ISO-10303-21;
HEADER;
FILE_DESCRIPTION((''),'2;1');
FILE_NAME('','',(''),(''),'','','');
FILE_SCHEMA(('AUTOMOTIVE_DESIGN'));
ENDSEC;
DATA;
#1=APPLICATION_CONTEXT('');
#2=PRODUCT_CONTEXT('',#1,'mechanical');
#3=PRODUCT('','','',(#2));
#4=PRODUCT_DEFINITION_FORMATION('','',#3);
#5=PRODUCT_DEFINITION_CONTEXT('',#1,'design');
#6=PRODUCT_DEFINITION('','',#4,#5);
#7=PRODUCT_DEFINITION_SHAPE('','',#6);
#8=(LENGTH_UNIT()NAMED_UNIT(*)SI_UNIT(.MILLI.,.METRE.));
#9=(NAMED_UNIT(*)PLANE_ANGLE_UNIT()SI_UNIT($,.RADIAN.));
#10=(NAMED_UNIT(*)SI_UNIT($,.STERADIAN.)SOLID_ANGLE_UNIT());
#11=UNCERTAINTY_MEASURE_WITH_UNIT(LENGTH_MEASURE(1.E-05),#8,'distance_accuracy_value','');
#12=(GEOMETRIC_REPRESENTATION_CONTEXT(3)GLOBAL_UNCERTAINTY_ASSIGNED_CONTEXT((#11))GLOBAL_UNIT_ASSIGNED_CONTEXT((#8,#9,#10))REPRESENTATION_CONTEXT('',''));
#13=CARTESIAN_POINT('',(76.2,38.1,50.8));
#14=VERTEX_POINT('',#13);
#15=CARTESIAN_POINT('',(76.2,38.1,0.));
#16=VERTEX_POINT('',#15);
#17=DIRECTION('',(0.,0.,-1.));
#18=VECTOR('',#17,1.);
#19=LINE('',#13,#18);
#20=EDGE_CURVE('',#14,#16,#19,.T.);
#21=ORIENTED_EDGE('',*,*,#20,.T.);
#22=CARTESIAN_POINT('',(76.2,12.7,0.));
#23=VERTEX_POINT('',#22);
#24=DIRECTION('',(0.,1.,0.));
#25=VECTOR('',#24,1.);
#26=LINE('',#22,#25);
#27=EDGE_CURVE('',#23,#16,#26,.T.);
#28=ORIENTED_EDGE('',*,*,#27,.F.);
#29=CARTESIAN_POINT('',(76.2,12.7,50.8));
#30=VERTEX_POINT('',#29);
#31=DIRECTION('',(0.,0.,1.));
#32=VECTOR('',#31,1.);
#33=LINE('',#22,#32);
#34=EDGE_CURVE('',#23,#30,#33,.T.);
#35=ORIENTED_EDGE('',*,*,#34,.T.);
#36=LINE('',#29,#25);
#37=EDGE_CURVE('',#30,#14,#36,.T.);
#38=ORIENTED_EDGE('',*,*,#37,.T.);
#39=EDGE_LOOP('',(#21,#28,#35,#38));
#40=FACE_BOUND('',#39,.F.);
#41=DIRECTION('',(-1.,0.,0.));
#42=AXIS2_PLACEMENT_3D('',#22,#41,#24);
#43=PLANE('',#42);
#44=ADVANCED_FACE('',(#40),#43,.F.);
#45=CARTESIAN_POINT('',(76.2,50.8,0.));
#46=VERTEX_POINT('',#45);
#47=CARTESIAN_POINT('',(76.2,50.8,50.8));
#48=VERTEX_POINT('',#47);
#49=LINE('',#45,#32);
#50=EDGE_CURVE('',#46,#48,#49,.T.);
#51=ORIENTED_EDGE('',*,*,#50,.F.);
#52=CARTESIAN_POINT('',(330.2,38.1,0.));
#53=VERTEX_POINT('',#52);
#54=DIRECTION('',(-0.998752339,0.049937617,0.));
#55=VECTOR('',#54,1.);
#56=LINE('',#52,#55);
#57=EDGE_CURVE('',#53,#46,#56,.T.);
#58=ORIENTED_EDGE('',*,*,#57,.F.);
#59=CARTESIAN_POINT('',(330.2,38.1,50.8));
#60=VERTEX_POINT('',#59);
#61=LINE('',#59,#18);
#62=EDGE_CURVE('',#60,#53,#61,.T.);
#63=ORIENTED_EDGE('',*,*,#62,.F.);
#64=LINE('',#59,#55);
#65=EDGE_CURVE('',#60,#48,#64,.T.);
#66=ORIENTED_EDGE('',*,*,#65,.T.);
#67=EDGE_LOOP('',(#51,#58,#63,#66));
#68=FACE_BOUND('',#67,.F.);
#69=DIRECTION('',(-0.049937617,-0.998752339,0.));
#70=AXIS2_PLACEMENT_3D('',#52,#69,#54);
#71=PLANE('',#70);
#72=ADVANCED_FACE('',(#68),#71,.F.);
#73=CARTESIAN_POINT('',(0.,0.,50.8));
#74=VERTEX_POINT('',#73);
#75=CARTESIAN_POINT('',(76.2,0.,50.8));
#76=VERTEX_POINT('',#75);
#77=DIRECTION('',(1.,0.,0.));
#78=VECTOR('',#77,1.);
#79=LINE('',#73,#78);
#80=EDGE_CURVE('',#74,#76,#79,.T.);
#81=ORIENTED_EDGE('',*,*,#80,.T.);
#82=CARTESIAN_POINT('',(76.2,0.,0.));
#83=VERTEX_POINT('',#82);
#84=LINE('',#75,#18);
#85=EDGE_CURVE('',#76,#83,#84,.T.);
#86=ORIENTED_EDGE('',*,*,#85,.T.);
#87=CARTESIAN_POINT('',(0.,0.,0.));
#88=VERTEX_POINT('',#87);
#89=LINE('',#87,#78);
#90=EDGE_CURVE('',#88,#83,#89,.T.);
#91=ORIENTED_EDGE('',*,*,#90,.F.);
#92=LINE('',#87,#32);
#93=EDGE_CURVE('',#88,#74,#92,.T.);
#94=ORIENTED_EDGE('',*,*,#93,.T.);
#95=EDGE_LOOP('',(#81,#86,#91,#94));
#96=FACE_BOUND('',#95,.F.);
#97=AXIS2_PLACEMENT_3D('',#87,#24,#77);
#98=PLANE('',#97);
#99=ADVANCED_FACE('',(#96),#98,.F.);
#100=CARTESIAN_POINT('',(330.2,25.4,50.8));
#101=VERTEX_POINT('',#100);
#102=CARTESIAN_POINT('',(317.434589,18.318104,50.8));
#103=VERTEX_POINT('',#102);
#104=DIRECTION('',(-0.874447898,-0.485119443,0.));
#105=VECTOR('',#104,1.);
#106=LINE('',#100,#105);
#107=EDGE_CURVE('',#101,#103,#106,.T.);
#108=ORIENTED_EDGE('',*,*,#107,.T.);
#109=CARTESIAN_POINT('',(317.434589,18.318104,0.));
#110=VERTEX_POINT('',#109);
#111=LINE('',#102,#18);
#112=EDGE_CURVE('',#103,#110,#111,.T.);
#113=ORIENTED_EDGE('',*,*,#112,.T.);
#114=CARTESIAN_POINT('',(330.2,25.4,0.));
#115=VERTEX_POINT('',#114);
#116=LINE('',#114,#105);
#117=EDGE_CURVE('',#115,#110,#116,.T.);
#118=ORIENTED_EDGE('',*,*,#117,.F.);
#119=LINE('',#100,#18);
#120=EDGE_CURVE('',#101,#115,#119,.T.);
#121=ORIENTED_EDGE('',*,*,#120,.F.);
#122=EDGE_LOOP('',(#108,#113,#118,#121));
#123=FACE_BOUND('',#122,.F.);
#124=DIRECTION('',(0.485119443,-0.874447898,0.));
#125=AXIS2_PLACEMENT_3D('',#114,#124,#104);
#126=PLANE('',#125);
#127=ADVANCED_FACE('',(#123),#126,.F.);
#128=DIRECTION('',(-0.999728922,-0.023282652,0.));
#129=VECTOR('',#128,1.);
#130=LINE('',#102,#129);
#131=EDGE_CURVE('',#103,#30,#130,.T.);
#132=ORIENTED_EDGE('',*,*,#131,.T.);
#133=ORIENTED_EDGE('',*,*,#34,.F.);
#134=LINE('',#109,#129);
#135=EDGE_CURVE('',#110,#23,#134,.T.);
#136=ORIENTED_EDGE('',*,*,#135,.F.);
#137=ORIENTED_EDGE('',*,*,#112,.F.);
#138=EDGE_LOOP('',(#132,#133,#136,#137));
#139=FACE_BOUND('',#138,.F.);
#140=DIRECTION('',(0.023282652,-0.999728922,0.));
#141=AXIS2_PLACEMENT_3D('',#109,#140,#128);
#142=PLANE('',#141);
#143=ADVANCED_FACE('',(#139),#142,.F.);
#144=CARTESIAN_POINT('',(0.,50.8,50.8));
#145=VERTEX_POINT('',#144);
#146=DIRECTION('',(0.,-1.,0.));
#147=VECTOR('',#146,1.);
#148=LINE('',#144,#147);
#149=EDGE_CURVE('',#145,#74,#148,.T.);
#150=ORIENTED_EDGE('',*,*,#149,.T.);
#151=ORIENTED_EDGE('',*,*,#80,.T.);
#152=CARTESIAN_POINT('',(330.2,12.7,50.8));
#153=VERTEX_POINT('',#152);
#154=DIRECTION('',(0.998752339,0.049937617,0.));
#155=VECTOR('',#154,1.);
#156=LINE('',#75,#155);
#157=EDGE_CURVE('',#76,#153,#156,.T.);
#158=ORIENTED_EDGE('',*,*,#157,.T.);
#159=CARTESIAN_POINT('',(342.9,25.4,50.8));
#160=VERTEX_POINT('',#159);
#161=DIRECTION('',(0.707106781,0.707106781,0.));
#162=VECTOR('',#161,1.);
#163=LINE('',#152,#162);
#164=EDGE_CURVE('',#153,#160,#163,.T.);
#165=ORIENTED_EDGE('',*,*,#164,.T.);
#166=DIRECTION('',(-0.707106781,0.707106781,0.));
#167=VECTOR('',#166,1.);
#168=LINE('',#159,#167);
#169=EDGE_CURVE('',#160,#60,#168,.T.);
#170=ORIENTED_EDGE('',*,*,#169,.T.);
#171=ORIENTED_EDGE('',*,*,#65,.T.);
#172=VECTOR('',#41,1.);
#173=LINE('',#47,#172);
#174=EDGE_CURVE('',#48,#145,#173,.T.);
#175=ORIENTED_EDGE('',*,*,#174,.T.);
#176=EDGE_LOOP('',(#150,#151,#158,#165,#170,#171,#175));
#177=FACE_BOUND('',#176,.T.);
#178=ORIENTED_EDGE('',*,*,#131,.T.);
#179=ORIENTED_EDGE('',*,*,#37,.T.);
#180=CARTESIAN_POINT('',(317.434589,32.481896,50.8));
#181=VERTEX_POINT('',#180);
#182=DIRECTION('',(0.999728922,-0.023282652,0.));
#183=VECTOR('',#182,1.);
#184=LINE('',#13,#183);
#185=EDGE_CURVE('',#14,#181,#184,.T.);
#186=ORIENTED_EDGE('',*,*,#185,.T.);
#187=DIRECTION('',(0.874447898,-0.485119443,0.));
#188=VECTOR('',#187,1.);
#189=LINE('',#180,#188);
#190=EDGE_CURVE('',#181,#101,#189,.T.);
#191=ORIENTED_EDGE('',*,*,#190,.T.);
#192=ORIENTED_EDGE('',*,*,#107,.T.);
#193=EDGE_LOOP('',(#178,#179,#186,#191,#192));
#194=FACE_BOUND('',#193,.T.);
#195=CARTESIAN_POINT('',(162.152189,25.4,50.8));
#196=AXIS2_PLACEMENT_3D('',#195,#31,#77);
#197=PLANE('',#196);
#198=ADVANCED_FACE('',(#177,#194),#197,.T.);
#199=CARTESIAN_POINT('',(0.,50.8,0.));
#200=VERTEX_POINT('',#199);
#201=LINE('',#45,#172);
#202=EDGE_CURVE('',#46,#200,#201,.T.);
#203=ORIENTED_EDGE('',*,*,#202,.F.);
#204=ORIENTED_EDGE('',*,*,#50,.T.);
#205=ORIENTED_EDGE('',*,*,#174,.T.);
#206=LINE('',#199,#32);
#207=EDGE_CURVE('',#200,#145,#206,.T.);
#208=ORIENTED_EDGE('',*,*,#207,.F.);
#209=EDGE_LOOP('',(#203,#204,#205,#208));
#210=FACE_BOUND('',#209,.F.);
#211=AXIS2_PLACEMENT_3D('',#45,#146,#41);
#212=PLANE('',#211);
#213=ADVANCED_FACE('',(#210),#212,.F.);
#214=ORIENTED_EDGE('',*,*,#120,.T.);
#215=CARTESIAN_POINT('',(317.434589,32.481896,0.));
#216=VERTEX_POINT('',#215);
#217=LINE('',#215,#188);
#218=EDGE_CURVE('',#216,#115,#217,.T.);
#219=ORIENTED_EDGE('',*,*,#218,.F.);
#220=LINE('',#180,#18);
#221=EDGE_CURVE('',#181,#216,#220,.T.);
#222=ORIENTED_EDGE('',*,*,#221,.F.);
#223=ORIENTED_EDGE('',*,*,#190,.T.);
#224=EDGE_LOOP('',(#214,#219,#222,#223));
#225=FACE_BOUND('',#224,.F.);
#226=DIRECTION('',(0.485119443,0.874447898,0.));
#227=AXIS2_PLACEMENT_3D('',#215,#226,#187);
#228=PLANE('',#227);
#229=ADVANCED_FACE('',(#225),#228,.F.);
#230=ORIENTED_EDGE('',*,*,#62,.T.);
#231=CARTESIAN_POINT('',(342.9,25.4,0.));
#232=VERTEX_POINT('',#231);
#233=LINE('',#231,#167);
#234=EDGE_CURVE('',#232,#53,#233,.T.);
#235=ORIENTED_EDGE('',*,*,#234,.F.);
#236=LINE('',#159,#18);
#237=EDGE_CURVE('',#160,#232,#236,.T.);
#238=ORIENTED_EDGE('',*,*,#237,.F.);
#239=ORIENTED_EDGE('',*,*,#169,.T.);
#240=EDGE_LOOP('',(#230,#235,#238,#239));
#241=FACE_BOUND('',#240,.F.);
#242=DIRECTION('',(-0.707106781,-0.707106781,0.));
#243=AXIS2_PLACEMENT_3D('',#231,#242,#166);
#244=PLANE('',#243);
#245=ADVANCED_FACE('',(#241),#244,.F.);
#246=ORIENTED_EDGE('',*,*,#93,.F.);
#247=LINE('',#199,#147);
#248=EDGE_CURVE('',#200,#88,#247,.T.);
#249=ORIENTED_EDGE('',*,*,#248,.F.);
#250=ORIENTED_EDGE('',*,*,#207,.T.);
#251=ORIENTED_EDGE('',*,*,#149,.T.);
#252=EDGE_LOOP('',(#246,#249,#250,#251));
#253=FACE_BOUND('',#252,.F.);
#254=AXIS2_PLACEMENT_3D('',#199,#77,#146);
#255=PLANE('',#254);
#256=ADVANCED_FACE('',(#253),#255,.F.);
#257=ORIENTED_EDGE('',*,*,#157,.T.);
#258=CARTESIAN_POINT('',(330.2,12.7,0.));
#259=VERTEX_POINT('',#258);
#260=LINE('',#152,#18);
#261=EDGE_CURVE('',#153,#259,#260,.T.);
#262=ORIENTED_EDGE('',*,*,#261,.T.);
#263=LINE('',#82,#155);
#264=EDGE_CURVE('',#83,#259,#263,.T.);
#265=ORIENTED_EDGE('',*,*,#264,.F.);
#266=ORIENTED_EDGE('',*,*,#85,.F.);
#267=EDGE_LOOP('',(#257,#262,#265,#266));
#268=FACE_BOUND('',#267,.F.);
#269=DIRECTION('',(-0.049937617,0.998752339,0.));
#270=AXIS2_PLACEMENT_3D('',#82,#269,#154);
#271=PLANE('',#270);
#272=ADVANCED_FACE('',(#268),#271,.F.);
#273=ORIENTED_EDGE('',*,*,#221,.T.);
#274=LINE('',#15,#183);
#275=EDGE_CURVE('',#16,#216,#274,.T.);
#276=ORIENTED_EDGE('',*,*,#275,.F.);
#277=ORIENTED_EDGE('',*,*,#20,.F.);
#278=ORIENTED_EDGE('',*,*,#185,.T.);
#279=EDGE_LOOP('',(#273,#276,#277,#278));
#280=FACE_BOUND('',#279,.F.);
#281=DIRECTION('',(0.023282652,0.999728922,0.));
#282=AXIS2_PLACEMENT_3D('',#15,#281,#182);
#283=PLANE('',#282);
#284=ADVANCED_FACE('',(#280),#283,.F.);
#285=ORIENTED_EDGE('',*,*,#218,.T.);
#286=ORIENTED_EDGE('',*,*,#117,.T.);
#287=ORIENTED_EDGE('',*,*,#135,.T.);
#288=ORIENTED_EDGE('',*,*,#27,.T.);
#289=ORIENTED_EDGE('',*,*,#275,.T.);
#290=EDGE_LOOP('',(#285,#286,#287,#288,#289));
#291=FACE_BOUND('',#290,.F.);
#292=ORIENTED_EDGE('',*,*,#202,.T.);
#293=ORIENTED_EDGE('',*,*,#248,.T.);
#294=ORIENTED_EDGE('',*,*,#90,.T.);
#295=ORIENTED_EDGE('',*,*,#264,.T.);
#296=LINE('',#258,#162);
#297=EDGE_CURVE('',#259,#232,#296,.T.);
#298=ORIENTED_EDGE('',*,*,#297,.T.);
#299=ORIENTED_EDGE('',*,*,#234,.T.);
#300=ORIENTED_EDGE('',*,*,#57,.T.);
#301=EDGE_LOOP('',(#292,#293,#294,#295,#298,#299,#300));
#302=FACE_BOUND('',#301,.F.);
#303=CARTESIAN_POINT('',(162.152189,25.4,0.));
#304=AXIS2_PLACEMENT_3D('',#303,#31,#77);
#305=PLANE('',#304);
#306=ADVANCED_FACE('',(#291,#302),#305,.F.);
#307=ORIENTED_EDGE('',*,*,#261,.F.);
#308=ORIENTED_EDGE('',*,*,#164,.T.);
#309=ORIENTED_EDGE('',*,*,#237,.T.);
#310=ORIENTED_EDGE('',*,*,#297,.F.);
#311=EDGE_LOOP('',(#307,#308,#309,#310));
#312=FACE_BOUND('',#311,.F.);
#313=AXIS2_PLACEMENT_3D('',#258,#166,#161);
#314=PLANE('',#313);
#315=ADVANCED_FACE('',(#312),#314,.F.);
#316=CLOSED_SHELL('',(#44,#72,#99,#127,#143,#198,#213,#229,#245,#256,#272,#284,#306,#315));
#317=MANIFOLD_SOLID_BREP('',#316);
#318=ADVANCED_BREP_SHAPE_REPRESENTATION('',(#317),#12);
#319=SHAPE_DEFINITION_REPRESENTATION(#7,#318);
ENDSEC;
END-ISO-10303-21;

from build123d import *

# Parameters (mm, degrees)
F1_DEPTH = 50.8
F3_DEPTH = 25.4
F5_DEPTH = 25.4


with BuildPart() as f1:
    # F0 (on Top) → F1 (new body)
    with BuildSketch(Plane.XY):
        Polygon((0, 50.8), (0, 0), (76.2, 0), (330.2, 12.7), (342.9, 25.4), (330.2, 38.1), (76.2, 50.8), align=None)
        Polygon((76.2, 12.7), (76.2, 38.1), (317.434589, 32.481896), (330.2, 25.4), (317.434589, 18.318104), align=None, mode=Mode.SUBTRACT)
    extrude(amount=F1_DEPTH)

    # F2 (on face) → F3 (join)
    with BuildSketch(Plane.XY.offset(50.8)):
        Polygon((330.2, 38.1), (76.2, 50.8), (76.2, 38.1), (317.434589, 32.481896), (330.2, 25.4), (317.434589, 18.318104), (76.2, 12.7), (76.2, 0), (330.2, 12.7), (342.9, 25.4), align=None)
    extrude(amount=-F3_DEPTH)

    # F4 (on face) → F5 (join)
    with BuildSketch(Plane.XY.offset(50.8)):
        Polygon((330.2, 38.1), (76.2, 50.8), (76.2, 38.1), (317.434589, 32.481896), (330.2, 25.4), (317.434589, 18.318104), (76.2, 12.7), (76.2, 0), (330.2, 12.7), (342.9, 25.4), align=None)
    extrude(amount=-F5_DEPTH)


solid = f1.part
